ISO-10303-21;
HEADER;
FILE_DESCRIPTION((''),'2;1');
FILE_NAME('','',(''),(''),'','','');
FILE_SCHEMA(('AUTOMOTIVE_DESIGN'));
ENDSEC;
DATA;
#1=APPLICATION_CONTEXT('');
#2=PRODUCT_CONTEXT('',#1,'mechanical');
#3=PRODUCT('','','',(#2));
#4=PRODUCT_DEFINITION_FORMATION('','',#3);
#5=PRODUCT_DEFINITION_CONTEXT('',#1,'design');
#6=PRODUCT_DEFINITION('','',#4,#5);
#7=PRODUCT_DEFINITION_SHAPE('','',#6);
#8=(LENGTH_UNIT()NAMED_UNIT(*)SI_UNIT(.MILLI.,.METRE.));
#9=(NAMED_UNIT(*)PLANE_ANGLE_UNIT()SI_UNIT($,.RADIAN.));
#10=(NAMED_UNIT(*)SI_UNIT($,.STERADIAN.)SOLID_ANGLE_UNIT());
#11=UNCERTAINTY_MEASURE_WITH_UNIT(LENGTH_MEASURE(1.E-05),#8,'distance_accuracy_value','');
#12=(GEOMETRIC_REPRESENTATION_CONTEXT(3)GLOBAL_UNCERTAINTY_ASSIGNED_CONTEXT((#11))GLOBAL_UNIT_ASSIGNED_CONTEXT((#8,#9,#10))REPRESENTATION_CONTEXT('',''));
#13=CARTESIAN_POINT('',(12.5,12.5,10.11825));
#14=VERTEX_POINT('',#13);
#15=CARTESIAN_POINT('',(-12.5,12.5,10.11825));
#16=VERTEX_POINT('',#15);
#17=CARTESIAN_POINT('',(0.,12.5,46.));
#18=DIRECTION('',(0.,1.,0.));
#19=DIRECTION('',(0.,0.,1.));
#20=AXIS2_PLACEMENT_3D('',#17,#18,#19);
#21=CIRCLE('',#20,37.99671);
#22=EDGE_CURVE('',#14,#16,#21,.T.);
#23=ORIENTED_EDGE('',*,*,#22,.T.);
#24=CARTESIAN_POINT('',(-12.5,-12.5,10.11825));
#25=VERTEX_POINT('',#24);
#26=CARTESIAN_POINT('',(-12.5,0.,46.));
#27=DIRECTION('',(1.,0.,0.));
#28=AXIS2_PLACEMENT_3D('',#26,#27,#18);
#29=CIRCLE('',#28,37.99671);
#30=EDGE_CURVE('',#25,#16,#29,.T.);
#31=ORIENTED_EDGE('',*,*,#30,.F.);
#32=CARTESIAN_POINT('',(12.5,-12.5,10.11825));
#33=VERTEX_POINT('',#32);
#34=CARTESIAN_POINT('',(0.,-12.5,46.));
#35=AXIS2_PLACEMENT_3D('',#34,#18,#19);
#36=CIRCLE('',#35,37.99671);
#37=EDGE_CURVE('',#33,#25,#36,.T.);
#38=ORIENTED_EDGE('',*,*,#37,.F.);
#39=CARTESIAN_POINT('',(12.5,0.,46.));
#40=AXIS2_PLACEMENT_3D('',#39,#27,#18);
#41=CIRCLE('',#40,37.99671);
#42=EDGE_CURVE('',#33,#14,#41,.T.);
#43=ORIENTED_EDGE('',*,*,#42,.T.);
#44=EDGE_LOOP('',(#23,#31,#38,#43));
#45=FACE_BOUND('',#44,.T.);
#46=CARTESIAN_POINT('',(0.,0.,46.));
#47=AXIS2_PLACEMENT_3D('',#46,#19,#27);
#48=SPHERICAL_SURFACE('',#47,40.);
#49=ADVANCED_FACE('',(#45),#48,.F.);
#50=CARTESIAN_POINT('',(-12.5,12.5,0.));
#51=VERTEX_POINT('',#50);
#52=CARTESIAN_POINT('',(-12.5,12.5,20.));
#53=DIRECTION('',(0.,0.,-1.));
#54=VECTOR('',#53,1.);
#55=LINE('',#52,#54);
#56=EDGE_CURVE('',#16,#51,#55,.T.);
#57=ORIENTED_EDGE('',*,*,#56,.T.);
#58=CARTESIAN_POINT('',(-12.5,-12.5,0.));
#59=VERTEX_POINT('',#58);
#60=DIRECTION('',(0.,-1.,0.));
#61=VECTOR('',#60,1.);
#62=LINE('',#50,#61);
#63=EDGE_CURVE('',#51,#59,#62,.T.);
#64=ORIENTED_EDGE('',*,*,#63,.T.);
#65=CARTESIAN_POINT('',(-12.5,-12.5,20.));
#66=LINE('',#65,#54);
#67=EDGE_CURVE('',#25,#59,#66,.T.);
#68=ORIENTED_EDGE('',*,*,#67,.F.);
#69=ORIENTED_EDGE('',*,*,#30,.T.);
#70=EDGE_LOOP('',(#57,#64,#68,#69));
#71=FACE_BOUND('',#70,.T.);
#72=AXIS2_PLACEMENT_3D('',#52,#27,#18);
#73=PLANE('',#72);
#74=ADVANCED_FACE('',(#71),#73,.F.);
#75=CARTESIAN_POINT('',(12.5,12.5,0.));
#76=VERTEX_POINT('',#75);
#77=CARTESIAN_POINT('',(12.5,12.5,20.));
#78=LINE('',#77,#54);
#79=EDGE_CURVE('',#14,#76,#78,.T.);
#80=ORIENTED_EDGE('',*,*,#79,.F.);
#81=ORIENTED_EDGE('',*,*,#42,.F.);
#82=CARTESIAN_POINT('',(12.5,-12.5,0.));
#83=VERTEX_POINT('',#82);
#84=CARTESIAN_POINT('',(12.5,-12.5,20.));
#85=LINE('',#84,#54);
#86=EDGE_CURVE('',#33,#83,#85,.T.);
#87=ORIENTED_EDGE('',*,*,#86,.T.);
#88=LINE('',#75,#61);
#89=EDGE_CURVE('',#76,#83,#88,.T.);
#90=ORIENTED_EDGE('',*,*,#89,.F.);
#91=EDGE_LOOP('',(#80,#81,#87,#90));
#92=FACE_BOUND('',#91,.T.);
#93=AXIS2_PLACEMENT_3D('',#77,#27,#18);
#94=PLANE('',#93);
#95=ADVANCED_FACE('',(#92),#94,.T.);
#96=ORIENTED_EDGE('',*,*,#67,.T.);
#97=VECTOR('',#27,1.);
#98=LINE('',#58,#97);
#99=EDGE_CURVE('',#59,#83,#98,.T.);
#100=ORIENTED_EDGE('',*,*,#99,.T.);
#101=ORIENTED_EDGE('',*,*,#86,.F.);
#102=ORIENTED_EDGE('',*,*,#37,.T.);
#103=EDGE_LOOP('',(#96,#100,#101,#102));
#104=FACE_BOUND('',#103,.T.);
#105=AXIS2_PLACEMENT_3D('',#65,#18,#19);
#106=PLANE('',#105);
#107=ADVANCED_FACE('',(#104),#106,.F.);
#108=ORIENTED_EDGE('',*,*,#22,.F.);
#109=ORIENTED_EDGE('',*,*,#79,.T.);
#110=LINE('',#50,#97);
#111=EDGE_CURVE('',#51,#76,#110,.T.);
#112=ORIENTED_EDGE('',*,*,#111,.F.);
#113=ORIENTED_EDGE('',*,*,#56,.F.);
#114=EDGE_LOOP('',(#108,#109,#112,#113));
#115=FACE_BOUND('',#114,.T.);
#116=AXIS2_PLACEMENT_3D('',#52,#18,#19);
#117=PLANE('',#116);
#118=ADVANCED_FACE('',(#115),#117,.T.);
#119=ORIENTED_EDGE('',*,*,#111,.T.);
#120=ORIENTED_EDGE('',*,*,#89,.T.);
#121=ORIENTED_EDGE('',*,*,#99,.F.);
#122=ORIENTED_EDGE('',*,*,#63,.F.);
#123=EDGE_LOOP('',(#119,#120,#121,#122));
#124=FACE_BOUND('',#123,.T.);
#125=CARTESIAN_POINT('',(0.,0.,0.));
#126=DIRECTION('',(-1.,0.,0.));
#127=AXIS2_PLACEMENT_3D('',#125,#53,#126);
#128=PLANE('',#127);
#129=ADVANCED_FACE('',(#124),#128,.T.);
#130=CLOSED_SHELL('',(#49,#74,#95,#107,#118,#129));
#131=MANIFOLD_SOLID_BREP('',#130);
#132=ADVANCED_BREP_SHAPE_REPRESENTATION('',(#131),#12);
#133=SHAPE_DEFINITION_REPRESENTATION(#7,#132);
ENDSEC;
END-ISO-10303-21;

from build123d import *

# Parameters (mm, degrees)
SKETCH_1_W      = 25
SKETCH_1_H      = 25
EXTRUDE_1_DEPTH = 20


with BuildPart() as part:
    # 草图1 → 凸台-拉伸1 (new body)
    with BuildSketch(Plane.XY):
        Rectangle(SKETCH_1_W, SKETCH_1_H)
    extrude(amount=EXTRUDE_1_DEPTH)

    # 草图2 → 切除-旋转2 (revolve, cut)
    with BuildSketch(Plane(origin=(0, 0, 0), x_dir=(1, 0, 0), z_dir=(0, 1, 0))):
        with BuildLine():
            Line((38.993818473, -37.084725415), (0, -37.084725415))
            Line((0, -37.084725415), (0, -6))
            ThreePointArc((0, -6), (24.933802524, -14.722124565), (38.993818473, -37.084725415))
        make_face()
    revolve(axis=Axis((0, 0, 37.084725415), (0, 0, -1)), mode=Mode.SUBTRACT)


solid = part.part
